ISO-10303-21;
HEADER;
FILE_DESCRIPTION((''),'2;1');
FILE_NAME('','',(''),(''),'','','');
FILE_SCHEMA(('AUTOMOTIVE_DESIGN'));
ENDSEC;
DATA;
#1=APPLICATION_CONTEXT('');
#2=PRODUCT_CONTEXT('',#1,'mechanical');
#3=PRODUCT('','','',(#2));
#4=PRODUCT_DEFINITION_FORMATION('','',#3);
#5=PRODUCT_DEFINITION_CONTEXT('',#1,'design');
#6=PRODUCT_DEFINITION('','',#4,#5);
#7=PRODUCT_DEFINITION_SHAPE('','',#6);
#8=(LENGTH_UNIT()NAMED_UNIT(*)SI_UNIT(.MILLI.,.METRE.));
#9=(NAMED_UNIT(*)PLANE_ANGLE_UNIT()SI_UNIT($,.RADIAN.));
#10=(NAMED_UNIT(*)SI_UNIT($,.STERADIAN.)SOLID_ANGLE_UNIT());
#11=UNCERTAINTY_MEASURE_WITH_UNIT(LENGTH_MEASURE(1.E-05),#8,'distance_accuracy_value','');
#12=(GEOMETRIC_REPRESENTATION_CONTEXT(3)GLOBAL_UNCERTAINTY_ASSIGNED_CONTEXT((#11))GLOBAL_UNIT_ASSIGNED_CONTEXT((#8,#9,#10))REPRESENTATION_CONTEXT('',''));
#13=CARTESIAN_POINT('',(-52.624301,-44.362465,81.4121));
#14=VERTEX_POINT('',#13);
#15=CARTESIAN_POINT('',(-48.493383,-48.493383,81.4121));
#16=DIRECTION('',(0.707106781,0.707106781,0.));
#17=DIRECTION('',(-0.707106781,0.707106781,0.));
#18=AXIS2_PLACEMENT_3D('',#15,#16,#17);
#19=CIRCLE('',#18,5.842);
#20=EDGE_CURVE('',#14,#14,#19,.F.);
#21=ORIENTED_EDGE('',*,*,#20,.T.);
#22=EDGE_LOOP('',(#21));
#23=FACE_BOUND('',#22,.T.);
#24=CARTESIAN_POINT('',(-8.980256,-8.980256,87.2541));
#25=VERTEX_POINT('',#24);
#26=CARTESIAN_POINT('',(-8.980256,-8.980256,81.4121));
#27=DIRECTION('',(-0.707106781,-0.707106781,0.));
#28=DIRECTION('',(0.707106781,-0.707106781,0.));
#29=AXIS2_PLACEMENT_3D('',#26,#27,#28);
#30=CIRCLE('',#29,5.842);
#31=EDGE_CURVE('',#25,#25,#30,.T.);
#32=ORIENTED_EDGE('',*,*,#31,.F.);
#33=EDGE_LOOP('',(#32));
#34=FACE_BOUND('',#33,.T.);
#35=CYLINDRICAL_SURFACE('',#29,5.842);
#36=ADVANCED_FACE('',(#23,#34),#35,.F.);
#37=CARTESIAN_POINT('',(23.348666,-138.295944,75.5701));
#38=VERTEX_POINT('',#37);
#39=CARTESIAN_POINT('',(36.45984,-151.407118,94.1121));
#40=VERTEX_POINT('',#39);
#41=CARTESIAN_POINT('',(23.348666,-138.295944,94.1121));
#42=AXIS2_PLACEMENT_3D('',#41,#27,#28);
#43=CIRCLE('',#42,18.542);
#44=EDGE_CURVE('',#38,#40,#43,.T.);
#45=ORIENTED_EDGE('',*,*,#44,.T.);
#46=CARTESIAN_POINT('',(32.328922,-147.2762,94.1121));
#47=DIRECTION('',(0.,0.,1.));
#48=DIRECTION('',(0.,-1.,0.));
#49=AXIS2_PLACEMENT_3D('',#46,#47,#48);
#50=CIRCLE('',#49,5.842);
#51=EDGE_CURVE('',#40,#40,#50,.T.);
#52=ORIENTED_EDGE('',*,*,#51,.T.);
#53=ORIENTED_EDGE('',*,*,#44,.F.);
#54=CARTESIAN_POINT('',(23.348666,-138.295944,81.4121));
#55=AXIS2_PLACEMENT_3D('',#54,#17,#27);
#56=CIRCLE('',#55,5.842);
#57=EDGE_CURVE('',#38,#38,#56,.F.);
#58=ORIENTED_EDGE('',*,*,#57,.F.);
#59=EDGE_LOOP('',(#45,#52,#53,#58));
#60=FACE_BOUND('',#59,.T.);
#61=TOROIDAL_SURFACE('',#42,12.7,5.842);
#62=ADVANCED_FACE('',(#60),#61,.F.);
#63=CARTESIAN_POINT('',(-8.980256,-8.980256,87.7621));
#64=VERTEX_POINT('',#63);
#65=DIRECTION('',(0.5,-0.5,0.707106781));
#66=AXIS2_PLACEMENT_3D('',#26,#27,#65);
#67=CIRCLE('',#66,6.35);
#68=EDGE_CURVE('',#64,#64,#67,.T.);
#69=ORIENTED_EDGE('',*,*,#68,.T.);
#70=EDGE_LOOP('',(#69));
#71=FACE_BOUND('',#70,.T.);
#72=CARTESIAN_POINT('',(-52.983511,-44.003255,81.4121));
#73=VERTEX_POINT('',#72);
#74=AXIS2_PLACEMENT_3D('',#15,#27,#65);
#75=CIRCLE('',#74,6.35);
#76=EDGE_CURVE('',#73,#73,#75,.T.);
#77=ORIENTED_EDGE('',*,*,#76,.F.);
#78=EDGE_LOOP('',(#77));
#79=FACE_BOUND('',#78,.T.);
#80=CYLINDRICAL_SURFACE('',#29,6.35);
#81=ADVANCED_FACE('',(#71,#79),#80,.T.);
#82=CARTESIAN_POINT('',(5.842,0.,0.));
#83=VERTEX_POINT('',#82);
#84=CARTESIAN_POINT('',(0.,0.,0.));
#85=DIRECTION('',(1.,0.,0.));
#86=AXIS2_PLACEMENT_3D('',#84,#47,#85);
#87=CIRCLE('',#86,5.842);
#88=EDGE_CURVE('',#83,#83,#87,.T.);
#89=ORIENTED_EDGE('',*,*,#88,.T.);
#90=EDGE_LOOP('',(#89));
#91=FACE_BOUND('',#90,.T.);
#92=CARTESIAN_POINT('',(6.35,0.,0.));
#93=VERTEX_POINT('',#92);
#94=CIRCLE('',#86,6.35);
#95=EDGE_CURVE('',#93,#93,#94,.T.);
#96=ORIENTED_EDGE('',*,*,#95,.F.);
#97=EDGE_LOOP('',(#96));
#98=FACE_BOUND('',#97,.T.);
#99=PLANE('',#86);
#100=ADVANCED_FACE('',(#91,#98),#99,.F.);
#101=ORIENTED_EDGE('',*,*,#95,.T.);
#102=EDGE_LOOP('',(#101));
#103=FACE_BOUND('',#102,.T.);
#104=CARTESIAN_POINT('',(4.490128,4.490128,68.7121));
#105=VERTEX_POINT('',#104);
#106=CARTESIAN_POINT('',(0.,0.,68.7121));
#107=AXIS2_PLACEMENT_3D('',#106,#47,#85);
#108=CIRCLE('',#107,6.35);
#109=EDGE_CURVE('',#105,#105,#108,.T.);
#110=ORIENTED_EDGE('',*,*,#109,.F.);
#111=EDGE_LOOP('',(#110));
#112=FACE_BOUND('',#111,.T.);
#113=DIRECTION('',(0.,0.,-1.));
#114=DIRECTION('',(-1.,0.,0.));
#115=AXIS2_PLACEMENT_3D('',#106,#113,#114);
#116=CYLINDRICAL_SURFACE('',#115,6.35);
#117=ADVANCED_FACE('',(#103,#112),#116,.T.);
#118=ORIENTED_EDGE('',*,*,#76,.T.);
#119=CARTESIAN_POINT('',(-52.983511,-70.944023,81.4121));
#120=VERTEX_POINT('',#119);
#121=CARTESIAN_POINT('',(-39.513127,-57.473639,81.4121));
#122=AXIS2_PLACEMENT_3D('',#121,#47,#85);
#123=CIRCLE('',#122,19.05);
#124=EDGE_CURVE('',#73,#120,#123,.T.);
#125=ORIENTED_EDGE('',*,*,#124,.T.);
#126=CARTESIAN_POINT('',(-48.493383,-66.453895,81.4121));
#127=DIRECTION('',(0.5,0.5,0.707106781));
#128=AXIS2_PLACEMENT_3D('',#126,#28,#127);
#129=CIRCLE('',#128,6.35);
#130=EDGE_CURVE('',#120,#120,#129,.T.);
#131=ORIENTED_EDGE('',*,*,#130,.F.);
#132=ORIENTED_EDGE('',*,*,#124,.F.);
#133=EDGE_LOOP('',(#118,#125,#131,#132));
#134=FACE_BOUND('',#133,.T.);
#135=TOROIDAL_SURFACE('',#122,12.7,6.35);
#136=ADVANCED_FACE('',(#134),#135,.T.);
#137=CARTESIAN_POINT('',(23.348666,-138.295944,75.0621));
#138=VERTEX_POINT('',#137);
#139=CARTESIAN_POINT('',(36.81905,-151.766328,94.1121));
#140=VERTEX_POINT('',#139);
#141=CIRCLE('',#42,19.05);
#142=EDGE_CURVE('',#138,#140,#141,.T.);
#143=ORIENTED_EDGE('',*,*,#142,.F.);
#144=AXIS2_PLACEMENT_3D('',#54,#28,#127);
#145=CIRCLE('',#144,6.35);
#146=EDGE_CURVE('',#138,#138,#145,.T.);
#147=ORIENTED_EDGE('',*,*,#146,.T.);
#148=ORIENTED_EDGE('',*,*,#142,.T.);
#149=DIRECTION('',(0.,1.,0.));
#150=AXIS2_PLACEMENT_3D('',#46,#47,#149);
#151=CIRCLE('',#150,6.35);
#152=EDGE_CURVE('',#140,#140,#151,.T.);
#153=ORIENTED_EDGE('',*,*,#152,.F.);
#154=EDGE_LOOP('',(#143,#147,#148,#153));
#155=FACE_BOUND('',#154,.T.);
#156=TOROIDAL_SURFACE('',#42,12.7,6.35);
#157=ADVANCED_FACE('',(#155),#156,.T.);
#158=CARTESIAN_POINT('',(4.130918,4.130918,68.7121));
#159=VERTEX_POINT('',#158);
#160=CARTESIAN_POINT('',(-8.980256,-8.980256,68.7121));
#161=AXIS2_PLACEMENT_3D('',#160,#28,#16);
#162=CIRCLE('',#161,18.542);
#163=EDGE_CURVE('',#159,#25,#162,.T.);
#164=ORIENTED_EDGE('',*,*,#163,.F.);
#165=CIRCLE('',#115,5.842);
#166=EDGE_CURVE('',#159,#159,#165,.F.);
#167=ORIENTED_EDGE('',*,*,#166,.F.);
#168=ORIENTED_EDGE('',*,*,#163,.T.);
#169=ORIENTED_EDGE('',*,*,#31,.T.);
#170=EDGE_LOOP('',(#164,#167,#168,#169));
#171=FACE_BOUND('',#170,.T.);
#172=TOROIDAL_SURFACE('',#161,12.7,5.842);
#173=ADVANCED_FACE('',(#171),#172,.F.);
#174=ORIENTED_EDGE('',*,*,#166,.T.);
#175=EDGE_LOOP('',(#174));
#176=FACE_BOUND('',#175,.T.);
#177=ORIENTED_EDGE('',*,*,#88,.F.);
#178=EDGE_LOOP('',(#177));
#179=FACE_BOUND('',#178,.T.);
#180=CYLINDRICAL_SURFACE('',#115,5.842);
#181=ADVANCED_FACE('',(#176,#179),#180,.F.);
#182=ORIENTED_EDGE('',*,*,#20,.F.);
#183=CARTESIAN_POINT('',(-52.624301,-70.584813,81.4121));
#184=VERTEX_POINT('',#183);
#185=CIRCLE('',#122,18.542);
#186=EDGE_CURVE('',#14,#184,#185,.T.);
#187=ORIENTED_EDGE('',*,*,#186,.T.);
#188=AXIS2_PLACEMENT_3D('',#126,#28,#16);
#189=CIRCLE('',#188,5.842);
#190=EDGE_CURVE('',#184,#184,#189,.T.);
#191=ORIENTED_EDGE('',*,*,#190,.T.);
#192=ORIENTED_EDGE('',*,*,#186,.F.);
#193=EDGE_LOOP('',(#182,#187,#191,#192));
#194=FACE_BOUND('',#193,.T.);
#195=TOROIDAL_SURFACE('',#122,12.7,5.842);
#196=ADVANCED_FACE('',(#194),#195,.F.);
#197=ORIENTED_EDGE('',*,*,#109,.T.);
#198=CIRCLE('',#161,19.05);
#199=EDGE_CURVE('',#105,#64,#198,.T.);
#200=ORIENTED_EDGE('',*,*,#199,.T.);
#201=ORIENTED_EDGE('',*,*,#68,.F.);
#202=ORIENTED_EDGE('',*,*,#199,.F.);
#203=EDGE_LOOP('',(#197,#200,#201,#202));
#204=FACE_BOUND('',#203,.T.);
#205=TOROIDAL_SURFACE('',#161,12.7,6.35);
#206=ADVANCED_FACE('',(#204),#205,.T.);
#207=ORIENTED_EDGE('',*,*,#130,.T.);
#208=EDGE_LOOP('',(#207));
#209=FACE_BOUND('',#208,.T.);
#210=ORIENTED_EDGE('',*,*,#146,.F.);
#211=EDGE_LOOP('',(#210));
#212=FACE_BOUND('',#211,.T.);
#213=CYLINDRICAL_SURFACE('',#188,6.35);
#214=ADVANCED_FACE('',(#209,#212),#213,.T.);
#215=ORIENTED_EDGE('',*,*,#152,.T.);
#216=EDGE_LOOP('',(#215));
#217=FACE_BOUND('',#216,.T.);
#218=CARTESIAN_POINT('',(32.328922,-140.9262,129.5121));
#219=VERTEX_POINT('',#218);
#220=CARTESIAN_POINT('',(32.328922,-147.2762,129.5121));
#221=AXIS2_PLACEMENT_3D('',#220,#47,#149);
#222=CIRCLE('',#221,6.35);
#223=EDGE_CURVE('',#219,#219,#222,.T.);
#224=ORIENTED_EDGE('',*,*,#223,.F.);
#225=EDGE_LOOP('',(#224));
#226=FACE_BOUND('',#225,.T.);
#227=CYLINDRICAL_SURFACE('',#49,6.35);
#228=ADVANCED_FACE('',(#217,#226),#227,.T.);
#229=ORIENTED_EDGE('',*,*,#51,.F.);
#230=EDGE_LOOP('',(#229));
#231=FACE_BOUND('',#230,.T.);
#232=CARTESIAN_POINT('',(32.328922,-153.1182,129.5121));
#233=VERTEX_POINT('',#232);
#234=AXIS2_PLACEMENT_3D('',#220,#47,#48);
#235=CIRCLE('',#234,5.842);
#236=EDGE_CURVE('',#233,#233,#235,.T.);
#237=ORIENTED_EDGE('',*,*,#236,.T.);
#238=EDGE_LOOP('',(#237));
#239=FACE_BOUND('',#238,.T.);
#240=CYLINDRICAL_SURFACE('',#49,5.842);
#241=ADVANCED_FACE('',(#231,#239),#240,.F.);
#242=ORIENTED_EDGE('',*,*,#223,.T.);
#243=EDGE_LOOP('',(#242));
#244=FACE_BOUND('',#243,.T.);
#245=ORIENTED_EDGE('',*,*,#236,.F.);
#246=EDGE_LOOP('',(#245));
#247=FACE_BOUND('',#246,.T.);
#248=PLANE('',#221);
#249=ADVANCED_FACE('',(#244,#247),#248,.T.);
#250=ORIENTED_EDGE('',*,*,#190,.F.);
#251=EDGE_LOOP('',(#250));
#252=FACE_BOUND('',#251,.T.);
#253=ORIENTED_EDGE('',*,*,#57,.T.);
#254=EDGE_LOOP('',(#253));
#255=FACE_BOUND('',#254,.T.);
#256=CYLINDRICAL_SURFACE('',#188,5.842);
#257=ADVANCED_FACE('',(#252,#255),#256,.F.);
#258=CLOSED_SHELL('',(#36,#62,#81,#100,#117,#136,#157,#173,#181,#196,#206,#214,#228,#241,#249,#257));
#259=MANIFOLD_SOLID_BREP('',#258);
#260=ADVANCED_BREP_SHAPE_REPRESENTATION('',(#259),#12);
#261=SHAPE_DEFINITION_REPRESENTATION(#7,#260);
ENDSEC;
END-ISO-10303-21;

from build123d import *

# Parameters (mm, degrees)
PIPESKETCH_R   = 6.35
PIPESKETCH_R_2 = 5.842


with BuildPart() as part:
    # ThinSweep: sweep along a curve in space
    with BuildLine() as thinsweep_path:
        Line((0, 0, 0), (0, 0, 68.7121))
        ThreePointArc((0, 0, 68.7121), (-2.630256121, -2.630256121, 77.692356121), (-8.980256121, -8.980256121, 81.4121))
        Line((-8.980256121, -8.980256121, 81.4121), (-48.493383054, -48.493383054, 81.4121))
        ThreePointArc((-48.493383054, -48.493383054, 81.4121), (-52.213126933, -57.473639175, 81.4121), (-48.493383054, -66.453895296, 81.4121))
        Line((-48.493383054, -66.453895296, 81.4121), (23.348665915, -138.295944264, 81.4121))
        ThreePointArc((23.348665915, -138.295944264, 81.4121), (29.698665915, -144.645944264, 85.131843879), (32.328922036, -147.276200386, 94.1121))
        Line((32.328922036, -147.276200386, 129.5121), (32.328922036, -147.276200386, 94.1121))
    # PipeSketch → ThinSweep (sweep)
    with BuildSketch(Plane.XY):
        Circle(PIPESKETCH_R)
        Circle(PIPESKETCH_R_2, mode=Mode.SUBTRACT)
    sweep(path=thinsweep_path.line)


solid = part.part
